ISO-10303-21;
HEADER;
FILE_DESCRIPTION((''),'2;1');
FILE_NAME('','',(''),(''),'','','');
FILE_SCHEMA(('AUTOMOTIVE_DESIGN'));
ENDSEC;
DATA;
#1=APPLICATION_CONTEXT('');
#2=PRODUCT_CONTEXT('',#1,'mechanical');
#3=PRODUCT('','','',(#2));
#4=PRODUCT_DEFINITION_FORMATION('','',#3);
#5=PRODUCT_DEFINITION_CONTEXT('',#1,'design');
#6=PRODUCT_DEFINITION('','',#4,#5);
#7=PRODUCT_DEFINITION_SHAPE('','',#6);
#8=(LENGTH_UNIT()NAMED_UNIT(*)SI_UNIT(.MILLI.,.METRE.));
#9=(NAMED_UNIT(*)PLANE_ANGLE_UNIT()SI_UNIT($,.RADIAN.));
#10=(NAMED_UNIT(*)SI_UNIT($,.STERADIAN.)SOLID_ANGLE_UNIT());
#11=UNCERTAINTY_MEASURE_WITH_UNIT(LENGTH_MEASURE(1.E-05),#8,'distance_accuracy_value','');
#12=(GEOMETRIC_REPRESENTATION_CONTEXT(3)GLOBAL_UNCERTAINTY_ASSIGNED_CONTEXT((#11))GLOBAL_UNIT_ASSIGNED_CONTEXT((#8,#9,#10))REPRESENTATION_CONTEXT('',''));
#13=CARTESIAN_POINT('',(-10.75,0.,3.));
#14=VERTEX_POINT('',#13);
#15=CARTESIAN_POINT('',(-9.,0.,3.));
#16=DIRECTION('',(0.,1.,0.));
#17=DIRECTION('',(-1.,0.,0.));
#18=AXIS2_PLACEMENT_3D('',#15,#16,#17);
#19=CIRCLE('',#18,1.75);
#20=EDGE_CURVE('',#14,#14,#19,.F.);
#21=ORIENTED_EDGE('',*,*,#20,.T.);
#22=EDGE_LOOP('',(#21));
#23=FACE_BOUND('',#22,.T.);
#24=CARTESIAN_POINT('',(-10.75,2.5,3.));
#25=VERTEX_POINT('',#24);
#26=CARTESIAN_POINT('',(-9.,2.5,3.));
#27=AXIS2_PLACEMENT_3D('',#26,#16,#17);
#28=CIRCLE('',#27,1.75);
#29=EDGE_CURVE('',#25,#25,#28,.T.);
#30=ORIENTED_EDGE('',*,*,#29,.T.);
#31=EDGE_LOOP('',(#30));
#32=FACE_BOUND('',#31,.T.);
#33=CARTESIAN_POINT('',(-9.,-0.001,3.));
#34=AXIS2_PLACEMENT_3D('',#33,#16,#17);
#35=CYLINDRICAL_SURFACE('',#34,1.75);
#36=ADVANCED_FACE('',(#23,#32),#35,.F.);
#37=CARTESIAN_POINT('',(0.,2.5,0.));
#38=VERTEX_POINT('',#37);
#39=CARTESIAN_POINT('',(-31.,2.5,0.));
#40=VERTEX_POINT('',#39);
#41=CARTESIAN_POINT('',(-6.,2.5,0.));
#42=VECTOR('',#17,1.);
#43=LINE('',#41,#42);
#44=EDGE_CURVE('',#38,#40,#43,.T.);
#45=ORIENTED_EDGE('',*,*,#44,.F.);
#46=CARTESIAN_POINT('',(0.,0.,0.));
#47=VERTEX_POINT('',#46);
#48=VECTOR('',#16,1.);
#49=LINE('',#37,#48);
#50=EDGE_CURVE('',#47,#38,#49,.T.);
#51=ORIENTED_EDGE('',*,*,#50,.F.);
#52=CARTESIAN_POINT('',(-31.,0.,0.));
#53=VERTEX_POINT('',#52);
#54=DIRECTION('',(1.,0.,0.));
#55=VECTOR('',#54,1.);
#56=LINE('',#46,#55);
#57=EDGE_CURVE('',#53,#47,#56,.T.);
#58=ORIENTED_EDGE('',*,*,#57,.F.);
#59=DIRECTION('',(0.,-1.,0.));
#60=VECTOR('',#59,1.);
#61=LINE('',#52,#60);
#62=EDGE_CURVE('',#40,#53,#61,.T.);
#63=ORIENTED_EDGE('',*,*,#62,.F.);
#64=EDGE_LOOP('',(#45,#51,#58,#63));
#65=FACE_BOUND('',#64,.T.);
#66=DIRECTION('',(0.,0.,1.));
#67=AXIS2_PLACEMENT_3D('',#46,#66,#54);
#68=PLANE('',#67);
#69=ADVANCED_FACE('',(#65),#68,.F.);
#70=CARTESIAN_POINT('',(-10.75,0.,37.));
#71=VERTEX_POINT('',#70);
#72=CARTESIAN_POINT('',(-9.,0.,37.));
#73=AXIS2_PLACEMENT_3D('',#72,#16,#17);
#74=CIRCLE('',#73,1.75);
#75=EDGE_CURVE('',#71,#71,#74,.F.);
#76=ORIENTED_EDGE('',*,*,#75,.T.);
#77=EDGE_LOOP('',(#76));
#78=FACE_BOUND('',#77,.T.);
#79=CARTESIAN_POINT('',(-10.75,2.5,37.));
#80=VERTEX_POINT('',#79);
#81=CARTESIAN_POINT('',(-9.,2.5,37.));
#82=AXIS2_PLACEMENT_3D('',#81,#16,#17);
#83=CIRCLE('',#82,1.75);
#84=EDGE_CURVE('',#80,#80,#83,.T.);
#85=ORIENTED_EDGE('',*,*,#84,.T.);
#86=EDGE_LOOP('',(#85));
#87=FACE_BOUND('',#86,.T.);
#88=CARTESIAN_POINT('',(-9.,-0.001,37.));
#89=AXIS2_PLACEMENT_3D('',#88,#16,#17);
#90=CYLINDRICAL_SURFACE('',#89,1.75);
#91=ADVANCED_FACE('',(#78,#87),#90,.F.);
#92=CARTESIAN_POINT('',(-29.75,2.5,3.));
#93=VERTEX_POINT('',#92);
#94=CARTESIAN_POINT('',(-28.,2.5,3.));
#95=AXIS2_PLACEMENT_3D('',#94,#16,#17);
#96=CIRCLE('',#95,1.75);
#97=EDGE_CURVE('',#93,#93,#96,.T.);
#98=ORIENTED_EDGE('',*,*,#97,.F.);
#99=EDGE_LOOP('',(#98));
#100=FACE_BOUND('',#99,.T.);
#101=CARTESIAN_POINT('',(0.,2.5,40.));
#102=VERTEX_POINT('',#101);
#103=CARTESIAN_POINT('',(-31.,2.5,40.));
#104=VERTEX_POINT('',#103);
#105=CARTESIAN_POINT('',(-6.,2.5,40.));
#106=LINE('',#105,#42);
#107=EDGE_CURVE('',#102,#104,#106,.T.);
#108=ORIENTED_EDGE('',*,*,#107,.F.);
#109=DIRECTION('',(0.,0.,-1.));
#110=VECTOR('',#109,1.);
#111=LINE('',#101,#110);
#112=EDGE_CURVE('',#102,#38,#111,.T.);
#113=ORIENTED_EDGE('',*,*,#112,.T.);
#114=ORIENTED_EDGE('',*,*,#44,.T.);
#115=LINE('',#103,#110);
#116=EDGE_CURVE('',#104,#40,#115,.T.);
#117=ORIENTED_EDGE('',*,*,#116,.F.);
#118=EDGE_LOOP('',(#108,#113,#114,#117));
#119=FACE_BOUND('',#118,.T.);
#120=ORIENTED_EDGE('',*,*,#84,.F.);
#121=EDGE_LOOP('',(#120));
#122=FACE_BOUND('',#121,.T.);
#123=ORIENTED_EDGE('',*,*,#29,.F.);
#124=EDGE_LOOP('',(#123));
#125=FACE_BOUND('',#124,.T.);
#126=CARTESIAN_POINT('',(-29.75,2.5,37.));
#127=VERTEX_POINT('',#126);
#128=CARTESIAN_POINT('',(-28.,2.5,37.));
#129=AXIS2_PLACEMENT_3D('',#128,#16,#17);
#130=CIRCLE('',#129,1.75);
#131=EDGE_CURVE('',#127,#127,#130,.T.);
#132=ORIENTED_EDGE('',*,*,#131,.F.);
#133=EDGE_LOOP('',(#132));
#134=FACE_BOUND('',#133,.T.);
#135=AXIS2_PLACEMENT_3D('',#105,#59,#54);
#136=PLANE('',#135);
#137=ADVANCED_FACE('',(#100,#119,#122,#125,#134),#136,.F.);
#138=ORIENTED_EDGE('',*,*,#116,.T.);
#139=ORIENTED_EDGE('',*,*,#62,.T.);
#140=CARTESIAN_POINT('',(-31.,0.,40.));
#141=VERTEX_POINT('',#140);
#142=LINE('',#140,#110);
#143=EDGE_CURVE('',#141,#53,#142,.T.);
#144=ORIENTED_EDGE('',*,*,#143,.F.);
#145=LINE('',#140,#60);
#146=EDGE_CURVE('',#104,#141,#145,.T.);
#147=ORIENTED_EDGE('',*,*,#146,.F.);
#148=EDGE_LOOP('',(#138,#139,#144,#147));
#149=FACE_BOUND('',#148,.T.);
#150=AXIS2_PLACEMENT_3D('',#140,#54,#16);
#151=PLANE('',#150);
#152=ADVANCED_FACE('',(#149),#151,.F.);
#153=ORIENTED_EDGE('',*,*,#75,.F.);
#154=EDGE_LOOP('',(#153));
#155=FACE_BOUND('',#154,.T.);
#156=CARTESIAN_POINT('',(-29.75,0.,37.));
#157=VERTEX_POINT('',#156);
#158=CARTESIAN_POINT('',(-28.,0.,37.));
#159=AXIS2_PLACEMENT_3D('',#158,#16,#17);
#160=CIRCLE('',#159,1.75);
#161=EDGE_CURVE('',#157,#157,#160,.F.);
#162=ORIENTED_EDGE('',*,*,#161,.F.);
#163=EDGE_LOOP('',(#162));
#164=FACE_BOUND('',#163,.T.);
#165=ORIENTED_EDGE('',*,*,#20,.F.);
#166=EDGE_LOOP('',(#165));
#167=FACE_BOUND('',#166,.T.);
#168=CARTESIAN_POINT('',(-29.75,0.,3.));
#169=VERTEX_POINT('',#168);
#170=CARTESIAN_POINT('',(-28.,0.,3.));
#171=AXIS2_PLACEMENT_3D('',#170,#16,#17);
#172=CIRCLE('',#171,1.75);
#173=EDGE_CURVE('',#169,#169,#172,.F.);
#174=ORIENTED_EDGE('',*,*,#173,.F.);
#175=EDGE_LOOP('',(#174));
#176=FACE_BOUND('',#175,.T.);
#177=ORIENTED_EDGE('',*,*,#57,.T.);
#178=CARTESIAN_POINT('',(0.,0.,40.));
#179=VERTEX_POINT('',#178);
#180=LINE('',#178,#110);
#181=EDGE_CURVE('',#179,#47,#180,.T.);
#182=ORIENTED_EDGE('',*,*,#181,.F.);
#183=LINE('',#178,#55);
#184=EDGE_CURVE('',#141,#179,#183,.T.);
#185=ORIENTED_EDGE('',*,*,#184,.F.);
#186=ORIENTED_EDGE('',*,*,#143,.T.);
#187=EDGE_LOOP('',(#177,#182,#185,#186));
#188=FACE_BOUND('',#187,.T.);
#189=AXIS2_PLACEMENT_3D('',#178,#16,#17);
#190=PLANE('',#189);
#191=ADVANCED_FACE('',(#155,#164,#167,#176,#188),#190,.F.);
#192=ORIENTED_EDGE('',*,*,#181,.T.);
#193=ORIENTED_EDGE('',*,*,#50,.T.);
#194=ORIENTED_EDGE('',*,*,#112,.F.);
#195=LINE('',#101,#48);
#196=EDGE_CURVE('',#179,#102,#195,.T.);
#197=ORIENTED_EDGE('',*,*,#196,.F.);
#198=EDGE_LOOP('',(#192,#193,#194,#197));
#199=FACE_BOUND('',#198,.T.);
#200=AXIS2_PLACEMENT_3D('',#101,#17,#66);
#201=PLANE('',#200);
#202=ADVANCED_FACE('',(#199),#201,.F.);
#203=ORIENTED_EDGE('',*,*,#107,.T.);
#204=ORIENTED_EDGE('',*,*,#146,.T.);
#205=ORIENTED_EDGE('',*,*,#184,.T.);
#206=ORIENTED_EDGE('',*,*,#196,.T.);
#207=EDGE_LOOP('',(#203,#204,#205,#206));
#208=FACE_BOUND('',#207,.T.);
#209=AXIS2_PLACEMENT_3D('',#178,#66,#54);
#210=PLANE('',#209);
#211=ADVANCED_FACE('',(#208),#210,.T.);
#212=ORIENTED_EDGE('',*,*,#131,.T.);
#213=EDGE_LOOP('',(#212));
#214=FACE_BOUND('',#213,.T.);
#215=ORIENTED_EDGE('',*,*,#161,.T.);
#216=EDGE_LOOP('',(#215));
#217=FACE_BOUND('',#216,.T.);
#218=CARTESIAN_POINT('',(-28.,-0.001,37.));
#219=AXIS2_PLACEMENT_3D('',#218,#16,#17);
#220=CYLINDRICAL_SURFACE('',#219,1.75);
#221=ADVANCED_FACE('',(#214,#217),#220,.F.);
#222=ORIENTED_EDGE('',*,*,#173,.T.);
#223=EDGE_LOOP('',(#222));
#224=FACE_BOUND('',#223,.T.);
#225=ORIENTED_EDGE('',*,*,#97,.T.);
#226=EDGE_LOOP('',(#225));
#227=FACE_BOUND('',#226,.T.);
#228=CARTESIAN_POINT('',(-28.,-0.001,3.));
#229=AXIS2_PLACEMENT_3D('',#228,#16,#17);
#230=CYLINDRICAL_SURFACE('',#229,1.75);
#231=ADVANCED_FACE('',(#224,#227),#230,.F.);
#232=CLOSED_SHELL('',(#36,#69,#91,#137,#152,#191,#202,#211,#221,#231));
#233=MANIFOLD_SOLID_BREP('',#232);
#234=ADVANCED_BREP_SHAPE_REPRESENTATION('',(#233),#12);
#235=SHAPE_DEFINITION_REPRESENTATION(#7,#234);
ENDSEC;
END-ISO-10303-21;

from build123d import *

# Parameters (mm, degrees)
BOSS_EXTRUDE1_DEPTH = 40
CUT_EXTRUDE2_REACH  = 4.5
SKETCH3_R           = 1.75


with BuildPart() as part:
    # Sketch1 → Boss-Extrude1 (new body)
    with BuildSketch(Plane.XY):
        Polygon((0, 0), (-31, 0), (-31, 2.5), (-6, 2.5), (0, 2.5), align=None)
    extrude(amount=BOSS_EXTRUDE1_DEPTH)

    # Sketch3 → Cut-Extrude2 (cut, up to next)
    with BuildSketch(Plane(origin=(0, 2.5, 0), x_dir=(1, 0, 0), z_dir=(0, 1, 0)), mode=Mode.PRIVATE) as cut_extrude2_sk1:
        with Locations((-9, -3)):
            Circle(SKETCH3_R)
    cut_extrude2_tool1 = extrude(cut_extrude2_sk1.sketch, amount=-CUT_EXTRUDE2_REACH, mode=Mode.PRIVATE) & part.part
    add(cut_extrude2_tool1.solids().sort_by_distance((-9, 2.5, 3))[0], mode=Mode.SUBTRACT)
    # Sketch3 → Cut-Extrude2 (cut, up to next)
    with BuildSketch(Plane(origin=(0, 2.5, 0), x_dir=(1, 0, 0), z_dir=(0, 1, 0)), mode=Mode.PRIVATE) as cut_extrude2_sk2:
        with Locations((-28, -3)):
            Circle(SKETCH3_R)
    cut_extrude2_tool2 = extrude(cut_extrude2_sk2.sketch, amount=-CUT_EXTRUDE2_REACH, mode=Mode.PRIVATE) & part.part
    add(cut_extrude2_tool2.solids().sort_by_distance((-28, 2.5, 3))[0], mode=Mode.SUBTRACT)
    # Sketch3 → Cut-Extrude2 (cut, up to next)
    with BuildSketch(Plane(origin=(0, 2.5, 0), x_dir=(1, 0, 0), z_dir=(0, 1, 0)), mode=Mode.PRIVATE) as cut_extrude2_sk3:
        with Locations((-28, -37)):
            Circle(SKETCH3_R)
    cut_extrude2_tool3 = extrude(cut_extrude2_sk3.sketch, amount=-CUT_EXTRUDE2_REACH, mode=Mode.PRIVATE) & part.part
    add(cut_extrude2_tool3.solids().sort_by_distance((-28, 2.5, 37))[0], mode=Mode.SUBTRACT)
    # Sketch3 → Cut-Extrude2 (cut, up to next)
    with BuildSketch(Plane(origin=(0, 2.5, 0), x_dir=(1, 0, 0), z_dir=(0, 1, 0)), mode=Mode.PRIVATE) as cut_extrude2_sk4:
        with Locations((-9, -37)):
            Circle(SKETCH3_R)
    cut_extrude2_tool4 = extrude(cut_extrude2_sk4.sketch, amount=-CUT_EXTRUDE2_REACH, mode=Mode.PRIVATE) & part.part
    add(cut_extrude2_tool4.solids().sort_by_distance((-9, 2.5, 37))[0], mode=Mode.SUBTRACT)


solid = part.part
